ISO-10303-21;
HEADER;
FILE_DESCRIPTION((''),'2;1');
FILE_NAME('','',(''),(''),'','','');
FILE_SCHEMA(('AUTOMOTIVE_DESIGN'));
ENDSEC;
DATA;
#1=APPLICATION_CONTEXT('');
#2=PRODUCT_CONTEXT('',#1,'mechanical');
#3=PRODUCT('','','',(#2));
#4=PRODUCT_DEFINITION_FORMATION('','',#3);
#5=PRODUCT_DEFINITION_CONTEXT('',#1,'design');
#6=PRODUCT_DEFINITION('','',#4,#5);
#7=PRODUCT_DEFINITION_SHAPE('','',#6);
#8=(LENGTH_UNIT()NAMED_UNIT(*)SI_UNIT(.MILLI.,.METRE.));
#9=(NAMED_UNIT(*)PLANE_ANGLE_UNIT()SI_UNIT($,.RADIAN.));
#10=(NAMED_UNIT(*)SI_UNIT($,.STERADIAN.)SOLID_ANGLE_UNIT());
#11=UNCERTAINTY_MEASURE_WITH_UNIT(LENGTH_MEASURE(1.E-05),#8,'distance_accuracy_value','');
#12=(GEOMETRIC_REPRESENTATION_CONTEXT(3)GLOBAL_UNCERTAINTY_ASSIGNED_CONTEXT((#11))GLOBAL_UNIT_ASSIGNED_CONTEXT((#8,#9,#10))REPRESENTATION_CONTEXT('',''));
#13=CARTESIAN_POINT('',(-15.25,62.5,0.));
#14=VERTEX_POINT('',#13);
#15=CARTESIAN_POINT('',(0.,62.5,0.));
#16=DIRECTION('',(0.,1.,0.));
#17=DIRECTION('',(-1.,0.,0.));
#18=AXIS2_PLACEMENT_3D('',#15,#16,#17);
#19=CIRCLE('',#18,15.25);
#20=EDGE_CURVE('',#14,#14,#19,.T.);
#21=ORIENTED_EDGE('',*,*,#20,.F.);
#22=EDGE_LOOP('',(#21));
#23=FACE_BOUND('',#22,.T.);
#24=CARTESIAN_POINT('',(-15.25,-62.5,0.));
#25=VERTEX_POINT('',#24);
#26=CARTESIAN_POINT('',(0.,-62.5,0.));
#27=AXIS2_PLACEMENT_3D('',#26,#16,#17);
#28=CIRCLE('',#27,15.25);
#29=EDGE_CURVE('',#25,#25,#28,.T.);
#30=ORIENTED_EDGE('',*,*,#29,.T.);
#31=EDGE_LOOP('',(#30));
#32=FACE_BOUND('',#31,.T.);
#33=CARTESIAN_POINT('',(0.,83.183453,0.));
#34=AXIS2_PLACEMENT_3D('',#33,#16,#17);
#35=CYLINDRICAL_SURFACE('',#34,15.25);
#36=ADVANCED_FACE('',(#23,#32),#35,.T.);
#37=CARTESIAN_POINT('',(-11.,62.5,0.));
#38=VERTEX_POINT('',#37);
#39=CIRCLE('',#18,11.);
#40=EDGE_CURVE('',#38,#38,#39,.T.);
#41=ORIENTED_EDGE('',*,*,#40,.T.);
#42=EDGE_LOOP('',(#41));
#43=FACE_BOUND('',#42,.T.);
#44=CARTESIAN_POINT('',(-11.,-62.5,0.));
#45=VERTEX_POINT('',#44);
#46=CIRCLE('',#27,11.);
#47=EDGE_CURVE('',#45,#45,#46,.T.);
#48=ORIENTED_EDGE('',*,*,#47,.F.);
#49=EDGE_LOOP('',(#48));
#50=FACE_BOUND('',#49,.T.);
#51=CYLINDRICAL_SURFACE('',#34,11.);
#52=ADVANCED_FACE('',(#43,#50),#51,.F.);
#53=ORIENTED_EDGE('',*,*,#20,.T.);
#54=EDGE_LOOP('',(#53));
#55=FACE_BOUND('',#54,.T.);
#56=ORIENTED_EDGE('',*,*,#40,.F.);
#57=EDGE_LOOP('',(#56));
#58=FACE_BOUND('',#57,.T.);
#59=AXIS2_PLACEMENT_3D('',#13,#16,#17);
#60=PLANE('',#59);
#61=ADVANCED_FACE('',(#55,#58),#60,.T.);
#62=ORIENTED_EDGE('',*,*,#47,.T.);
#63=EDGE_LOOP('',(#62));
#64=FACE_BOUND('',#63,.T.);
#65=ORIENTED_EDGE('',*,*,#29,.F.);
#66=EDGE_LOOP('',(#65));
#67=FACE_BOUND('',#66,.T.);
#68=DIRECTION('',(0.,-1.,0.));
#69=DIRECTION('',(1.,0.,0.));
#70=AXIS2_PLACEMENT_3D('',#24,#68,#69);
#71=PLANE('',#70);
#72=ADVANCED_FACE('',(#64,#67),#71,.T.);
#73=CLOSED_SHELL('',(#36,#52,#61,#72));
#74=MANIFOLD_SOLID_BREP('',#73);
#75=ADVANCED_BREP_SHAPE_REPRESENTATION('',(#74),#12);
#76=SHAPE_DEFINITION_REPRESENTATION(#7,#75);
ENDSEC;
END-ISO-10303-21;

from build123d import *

# Parameters (mm, degrees)
SKETCH1_W = 4.25
SKETCH1_H = 125


with BuildPart() as part:
    # Sketch1 → Revolve1 (revolve)
    with BuildSketch(Plane.XY):
        with Locations((-13.125, 0)):
            Rectangle(SKETCH1_W, SKETCH1_H)
    revolve(axis=Axis((0, 83.183453237, 0), (0, -1, 0)))


solid = part.part
